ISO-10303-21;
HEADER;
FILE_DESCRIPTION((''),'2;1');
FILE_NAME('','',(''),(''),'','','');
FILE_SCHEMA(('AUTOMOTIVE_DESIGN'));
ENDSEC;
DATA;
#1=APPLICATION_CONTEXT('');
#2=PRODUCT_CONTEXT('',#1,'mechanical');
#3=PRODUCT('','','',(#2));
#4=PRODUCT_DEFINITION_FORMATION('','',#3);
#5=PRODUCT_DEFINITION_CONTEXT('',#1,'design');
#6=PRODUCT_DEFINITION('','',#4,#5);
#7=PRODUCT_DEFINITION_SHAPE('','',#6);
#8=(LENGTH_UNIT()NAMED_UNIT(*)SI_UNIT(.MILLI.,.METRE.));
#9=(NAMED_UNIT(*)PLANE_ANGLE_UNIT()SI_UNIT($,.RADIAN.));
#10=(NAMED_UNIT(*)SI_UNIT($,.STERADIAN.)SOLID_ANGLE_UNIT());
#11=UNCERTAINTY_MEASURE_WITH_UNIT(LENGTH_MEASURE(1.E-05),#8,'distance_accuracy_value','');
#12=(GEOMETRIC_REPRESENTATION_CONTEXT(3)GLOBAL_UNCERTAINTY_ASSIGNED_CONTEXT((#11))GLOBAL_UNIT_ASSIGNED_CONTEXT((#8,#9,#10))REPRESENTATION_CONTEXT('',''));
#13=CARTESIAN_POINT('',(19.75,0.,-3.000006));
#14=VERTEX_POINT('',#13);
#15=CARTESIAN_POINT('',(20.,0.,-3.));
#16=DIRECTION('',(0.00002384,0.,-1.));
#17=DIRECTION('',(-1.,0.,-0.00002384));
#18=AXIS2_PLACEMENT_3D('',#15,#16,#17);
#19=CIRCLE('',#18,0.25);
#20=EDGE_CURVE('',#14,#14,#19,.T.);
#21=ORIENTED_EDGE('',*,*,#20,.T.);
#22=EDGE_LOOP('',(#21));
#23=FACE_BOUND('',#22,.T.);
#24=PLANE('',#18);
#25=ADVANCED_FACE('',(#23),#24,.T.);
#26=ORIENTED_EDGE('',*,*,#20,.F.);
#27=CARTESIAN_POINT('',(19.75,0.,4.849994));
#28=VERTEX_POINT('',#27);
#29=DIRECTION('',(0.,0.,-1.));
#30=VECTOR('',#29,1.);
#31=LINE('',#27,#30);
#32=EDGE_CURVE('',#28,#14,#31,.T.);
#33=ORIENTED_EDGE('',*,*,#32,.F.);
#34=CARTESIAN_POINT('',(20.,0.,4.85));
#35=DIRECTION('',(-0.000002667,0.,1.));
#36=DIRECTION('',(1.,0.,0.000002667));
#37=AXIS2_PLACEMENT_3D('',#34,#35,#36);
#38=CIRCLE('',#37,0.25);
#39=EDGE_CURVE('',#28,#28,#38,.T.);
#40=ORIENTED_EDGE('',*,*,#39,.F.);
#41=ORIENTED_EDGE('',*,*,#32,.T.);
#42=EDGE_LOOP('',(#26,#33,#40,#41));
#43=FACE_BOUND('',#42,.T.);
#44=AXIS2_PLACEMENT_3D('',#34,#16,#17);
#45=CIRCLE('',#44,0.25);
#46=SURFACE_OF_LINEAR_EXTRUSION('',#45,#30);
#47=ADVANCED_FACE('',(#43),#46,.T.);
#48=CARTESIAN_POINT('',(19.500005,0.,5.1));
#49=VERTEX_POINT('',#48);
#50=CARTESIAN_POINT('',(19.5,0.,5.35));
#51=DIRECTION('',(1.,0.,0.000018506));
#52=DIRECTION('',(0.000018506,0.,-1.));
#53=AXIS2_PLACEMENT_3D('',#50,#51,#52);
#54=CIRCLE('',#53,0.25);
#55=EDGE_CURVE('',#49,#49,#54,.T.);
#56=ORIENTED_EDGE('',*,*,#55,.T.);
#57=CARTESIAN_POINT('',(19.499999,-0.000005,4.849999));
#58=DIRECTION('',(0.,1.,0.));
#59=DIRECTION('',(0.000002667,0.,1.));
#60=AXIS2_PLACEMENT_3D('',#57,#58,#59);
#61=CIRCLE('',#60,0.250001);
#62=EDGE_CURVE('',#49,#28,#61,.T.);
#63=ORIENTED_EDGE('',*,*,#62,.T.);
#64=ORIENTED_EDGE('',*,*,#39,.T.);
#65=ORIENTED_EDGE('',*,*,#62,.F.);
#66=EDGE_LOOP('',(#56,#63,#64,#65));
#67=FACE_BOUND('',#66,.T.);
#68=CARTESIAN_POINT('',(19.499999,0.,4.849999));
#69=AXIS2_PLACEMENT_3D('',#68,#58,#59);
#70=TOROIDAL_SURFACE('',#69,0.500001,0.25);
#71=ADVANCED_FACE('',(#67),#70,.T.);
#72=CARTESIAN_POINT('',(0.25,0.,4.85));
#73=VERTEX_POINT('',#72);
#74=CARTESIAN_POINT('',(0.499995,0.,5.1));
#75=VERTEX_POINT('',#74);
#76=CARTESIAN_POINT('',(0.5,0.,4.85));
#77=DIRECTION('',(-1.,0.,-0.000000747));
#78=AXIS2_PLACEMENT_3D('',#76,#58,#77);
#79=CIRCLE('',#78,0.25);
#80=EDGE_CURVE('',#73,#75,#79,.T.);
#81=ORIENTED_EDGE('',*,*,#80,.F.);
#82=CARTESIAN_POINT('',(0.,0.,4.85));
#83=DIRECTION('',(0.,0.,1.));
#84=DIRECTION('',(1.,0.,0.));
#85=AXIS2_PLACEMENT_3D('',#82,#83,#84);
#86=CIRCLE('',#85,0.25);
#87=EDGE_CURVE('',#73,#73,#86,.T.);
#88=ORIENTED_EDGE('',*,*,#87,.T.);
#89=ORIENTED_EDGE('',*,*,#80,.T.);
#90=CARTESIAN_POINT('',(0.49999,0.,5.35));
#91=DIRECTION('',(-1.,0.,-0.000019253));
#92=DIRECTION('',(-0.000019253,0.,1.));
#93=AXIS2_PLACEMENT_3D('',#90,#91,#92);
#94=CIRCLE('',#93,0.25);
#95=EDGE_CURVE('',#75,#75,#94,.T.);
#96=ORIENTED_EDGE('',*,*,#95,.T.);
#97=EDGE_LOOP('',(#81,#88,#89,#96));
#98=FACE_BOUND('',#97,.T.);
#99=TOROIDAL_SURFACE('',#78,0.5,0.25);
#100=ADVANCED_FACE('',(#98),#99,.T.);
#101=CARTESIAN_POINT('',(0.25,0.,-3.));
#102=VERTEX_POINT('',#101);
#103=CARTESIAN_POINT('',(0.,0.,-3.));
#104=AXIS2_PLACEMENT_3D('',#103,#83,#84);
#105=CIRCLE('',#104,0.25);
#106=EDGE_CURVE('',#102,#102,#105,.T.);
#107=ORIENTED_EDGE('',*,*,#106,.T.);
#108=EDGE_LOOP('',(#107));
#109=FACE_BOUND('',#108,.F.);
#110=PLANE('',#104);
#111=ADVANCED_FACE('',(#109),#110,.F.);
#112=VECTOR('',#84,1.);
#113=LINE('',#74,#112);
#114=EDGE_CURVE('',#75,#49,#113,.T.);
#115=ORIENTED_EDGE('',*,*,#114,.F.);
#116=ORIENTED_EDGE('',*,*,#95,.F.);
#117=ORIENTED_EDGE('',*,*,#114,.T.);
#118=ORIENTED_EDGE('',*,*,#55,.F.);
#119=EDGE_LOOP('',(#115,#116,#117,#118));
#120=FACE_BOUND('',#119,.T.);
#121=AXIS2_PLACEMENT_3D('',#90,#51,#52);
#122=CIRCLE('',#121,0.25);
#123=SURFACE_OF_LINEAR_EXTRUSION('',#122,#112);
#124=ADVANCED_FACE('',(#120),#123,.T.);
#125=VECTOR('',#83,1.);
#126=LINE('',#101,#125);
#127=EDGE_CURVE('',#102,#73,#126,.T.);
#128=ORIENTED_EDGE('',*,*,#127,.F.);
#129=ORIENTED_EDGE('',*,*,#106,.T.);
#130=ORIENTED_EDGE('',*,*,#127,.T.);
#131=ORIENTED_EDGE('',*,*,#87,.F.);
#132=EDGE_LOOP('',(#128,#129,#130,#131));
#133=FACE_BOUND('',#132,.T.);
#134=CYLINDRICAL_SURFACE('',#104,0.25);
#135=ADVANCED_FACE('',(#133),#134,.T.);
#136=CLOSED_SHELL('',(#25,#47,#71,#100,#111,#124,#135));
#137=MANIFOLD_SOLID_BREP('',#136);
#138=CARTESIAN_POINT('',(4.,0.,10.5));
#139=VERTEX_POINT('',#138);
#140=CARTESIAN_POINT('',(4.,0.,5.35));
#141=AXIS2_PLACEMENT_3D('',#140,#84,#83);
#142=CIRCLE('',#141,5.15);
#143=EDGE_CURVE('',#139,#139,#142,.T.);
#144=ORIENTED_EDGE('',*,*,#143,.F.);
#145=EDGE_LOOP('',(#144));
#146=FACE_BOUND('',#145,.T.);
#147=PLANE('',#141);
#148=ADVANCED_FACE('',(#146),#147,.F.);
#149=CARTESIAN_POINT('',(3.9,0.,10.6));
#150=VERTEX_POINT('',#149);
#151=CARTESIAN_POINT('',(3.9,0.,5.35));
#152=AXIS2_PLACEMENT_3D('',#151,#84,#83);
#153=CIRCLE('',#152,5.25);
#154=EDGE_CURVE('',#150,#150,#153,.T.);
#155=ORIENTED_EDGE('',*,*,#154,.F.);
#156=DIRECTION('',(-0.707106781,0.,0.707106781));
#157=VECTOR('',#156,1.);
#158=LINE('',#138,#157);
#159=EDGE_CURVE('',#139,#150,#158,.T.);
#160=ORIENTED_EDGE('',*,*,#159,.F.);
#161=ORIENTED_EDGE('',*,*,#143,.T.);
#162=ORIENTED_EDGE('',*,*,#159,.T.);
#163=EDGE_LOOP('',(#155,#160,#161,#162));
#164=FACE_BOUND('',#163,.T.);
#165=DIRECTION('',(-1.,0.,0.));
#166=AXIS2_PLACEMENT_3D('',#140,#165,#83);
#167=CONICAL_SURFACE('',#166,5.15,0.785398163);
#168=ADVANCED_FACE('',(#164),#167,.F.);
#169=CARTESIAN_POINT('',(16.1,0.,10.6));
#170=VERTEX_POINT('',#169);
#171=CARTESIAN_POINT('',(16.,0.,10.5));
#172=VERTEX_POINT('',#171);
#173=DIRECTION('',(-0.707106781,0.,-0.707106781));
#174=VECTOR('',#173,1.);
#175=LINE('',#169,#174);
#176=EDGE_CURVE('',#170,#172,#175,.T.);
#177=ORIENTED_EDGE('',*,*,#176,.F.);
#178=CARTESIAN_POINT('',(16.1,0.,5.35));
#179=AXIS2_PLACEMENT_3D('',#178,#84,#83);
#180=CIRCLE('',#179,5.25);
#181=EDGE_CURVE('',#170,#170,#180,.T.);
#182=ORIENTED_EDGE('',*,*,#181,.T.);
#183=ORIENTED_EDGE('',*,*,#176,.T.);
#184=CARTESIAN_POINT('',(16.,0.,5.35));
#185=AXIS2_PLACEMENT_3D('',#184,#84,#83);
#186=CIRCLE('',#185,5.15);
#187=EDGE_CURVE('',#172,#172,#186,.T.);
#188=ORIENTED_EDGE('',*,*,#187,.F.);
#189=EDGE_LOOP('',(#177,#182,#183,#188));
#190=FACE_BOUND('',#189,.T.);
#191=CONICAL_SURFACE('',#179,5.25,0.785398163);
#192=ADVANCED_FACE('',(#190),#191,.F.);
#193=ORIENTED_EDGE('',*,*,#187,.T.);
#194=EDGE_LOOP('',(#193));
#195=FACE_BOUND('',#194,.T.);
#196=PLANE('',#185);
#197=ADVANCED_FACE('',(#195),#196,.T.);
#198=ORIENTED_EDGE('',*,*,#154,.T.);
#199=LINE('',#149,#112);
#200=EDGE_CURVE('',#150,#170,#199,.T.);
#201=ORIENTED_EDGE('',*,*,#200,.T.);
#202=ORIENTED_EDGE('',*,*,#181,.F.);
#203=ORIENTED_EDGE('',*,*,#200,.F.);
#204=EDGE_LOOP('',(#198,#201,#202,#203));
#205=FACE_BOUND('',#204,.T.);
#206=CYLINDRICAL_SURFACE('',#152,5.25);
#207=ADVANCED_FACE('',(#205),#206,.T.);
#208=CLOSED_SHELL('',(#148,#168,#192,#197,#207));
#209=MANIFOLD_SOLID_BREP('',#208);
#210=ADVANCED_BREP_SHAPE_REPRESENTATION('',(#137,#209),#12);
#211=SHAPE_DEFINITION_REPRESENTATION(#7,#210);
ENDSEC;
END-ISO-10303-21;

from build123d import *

# Parameters (mm, degrees)
SKETCH_R = 0.25


with BuildPart() as sweep_body:
    # Sweep: sweep along a path in Sketch001
    with BuildLine(Plane.XZ) as sweep_path:
        Line((0, -3), (0, 4.85))
        ThreePointArc((0, 4.85), (0.146443, 5.20355), (0.49999, 5.35))
        Line((0.49999, 5.35), (19.5, 5.35))
        ThreePointArc((19.5, 5.35), (19.853553, 5.203553), (20, 4.85))
        Line((20, 4.85), (20, -3))
    # Sketch → Sweep (sweep)
    with BuildSketch(Plane.XY.offset(-2)):
        Circle(SKETCH_R)
    sweep(path=sweep_path.line)


with BuildPart() as revolution:
    # Sketch002 → Revolution (revolve)
    with BuildSketch(Plane.XZ):
        Polygon((3.9, 10.6), (16.1, 10.6), (16, 10.5), (16, 5.35), (4, 5.35), (4, 10.5), align=None)
    revolve(axis=Axis((7.611803, 0, 5.35), (1, 0, 0)))


solid = Compound([sweep_body.part, revolution.part])
